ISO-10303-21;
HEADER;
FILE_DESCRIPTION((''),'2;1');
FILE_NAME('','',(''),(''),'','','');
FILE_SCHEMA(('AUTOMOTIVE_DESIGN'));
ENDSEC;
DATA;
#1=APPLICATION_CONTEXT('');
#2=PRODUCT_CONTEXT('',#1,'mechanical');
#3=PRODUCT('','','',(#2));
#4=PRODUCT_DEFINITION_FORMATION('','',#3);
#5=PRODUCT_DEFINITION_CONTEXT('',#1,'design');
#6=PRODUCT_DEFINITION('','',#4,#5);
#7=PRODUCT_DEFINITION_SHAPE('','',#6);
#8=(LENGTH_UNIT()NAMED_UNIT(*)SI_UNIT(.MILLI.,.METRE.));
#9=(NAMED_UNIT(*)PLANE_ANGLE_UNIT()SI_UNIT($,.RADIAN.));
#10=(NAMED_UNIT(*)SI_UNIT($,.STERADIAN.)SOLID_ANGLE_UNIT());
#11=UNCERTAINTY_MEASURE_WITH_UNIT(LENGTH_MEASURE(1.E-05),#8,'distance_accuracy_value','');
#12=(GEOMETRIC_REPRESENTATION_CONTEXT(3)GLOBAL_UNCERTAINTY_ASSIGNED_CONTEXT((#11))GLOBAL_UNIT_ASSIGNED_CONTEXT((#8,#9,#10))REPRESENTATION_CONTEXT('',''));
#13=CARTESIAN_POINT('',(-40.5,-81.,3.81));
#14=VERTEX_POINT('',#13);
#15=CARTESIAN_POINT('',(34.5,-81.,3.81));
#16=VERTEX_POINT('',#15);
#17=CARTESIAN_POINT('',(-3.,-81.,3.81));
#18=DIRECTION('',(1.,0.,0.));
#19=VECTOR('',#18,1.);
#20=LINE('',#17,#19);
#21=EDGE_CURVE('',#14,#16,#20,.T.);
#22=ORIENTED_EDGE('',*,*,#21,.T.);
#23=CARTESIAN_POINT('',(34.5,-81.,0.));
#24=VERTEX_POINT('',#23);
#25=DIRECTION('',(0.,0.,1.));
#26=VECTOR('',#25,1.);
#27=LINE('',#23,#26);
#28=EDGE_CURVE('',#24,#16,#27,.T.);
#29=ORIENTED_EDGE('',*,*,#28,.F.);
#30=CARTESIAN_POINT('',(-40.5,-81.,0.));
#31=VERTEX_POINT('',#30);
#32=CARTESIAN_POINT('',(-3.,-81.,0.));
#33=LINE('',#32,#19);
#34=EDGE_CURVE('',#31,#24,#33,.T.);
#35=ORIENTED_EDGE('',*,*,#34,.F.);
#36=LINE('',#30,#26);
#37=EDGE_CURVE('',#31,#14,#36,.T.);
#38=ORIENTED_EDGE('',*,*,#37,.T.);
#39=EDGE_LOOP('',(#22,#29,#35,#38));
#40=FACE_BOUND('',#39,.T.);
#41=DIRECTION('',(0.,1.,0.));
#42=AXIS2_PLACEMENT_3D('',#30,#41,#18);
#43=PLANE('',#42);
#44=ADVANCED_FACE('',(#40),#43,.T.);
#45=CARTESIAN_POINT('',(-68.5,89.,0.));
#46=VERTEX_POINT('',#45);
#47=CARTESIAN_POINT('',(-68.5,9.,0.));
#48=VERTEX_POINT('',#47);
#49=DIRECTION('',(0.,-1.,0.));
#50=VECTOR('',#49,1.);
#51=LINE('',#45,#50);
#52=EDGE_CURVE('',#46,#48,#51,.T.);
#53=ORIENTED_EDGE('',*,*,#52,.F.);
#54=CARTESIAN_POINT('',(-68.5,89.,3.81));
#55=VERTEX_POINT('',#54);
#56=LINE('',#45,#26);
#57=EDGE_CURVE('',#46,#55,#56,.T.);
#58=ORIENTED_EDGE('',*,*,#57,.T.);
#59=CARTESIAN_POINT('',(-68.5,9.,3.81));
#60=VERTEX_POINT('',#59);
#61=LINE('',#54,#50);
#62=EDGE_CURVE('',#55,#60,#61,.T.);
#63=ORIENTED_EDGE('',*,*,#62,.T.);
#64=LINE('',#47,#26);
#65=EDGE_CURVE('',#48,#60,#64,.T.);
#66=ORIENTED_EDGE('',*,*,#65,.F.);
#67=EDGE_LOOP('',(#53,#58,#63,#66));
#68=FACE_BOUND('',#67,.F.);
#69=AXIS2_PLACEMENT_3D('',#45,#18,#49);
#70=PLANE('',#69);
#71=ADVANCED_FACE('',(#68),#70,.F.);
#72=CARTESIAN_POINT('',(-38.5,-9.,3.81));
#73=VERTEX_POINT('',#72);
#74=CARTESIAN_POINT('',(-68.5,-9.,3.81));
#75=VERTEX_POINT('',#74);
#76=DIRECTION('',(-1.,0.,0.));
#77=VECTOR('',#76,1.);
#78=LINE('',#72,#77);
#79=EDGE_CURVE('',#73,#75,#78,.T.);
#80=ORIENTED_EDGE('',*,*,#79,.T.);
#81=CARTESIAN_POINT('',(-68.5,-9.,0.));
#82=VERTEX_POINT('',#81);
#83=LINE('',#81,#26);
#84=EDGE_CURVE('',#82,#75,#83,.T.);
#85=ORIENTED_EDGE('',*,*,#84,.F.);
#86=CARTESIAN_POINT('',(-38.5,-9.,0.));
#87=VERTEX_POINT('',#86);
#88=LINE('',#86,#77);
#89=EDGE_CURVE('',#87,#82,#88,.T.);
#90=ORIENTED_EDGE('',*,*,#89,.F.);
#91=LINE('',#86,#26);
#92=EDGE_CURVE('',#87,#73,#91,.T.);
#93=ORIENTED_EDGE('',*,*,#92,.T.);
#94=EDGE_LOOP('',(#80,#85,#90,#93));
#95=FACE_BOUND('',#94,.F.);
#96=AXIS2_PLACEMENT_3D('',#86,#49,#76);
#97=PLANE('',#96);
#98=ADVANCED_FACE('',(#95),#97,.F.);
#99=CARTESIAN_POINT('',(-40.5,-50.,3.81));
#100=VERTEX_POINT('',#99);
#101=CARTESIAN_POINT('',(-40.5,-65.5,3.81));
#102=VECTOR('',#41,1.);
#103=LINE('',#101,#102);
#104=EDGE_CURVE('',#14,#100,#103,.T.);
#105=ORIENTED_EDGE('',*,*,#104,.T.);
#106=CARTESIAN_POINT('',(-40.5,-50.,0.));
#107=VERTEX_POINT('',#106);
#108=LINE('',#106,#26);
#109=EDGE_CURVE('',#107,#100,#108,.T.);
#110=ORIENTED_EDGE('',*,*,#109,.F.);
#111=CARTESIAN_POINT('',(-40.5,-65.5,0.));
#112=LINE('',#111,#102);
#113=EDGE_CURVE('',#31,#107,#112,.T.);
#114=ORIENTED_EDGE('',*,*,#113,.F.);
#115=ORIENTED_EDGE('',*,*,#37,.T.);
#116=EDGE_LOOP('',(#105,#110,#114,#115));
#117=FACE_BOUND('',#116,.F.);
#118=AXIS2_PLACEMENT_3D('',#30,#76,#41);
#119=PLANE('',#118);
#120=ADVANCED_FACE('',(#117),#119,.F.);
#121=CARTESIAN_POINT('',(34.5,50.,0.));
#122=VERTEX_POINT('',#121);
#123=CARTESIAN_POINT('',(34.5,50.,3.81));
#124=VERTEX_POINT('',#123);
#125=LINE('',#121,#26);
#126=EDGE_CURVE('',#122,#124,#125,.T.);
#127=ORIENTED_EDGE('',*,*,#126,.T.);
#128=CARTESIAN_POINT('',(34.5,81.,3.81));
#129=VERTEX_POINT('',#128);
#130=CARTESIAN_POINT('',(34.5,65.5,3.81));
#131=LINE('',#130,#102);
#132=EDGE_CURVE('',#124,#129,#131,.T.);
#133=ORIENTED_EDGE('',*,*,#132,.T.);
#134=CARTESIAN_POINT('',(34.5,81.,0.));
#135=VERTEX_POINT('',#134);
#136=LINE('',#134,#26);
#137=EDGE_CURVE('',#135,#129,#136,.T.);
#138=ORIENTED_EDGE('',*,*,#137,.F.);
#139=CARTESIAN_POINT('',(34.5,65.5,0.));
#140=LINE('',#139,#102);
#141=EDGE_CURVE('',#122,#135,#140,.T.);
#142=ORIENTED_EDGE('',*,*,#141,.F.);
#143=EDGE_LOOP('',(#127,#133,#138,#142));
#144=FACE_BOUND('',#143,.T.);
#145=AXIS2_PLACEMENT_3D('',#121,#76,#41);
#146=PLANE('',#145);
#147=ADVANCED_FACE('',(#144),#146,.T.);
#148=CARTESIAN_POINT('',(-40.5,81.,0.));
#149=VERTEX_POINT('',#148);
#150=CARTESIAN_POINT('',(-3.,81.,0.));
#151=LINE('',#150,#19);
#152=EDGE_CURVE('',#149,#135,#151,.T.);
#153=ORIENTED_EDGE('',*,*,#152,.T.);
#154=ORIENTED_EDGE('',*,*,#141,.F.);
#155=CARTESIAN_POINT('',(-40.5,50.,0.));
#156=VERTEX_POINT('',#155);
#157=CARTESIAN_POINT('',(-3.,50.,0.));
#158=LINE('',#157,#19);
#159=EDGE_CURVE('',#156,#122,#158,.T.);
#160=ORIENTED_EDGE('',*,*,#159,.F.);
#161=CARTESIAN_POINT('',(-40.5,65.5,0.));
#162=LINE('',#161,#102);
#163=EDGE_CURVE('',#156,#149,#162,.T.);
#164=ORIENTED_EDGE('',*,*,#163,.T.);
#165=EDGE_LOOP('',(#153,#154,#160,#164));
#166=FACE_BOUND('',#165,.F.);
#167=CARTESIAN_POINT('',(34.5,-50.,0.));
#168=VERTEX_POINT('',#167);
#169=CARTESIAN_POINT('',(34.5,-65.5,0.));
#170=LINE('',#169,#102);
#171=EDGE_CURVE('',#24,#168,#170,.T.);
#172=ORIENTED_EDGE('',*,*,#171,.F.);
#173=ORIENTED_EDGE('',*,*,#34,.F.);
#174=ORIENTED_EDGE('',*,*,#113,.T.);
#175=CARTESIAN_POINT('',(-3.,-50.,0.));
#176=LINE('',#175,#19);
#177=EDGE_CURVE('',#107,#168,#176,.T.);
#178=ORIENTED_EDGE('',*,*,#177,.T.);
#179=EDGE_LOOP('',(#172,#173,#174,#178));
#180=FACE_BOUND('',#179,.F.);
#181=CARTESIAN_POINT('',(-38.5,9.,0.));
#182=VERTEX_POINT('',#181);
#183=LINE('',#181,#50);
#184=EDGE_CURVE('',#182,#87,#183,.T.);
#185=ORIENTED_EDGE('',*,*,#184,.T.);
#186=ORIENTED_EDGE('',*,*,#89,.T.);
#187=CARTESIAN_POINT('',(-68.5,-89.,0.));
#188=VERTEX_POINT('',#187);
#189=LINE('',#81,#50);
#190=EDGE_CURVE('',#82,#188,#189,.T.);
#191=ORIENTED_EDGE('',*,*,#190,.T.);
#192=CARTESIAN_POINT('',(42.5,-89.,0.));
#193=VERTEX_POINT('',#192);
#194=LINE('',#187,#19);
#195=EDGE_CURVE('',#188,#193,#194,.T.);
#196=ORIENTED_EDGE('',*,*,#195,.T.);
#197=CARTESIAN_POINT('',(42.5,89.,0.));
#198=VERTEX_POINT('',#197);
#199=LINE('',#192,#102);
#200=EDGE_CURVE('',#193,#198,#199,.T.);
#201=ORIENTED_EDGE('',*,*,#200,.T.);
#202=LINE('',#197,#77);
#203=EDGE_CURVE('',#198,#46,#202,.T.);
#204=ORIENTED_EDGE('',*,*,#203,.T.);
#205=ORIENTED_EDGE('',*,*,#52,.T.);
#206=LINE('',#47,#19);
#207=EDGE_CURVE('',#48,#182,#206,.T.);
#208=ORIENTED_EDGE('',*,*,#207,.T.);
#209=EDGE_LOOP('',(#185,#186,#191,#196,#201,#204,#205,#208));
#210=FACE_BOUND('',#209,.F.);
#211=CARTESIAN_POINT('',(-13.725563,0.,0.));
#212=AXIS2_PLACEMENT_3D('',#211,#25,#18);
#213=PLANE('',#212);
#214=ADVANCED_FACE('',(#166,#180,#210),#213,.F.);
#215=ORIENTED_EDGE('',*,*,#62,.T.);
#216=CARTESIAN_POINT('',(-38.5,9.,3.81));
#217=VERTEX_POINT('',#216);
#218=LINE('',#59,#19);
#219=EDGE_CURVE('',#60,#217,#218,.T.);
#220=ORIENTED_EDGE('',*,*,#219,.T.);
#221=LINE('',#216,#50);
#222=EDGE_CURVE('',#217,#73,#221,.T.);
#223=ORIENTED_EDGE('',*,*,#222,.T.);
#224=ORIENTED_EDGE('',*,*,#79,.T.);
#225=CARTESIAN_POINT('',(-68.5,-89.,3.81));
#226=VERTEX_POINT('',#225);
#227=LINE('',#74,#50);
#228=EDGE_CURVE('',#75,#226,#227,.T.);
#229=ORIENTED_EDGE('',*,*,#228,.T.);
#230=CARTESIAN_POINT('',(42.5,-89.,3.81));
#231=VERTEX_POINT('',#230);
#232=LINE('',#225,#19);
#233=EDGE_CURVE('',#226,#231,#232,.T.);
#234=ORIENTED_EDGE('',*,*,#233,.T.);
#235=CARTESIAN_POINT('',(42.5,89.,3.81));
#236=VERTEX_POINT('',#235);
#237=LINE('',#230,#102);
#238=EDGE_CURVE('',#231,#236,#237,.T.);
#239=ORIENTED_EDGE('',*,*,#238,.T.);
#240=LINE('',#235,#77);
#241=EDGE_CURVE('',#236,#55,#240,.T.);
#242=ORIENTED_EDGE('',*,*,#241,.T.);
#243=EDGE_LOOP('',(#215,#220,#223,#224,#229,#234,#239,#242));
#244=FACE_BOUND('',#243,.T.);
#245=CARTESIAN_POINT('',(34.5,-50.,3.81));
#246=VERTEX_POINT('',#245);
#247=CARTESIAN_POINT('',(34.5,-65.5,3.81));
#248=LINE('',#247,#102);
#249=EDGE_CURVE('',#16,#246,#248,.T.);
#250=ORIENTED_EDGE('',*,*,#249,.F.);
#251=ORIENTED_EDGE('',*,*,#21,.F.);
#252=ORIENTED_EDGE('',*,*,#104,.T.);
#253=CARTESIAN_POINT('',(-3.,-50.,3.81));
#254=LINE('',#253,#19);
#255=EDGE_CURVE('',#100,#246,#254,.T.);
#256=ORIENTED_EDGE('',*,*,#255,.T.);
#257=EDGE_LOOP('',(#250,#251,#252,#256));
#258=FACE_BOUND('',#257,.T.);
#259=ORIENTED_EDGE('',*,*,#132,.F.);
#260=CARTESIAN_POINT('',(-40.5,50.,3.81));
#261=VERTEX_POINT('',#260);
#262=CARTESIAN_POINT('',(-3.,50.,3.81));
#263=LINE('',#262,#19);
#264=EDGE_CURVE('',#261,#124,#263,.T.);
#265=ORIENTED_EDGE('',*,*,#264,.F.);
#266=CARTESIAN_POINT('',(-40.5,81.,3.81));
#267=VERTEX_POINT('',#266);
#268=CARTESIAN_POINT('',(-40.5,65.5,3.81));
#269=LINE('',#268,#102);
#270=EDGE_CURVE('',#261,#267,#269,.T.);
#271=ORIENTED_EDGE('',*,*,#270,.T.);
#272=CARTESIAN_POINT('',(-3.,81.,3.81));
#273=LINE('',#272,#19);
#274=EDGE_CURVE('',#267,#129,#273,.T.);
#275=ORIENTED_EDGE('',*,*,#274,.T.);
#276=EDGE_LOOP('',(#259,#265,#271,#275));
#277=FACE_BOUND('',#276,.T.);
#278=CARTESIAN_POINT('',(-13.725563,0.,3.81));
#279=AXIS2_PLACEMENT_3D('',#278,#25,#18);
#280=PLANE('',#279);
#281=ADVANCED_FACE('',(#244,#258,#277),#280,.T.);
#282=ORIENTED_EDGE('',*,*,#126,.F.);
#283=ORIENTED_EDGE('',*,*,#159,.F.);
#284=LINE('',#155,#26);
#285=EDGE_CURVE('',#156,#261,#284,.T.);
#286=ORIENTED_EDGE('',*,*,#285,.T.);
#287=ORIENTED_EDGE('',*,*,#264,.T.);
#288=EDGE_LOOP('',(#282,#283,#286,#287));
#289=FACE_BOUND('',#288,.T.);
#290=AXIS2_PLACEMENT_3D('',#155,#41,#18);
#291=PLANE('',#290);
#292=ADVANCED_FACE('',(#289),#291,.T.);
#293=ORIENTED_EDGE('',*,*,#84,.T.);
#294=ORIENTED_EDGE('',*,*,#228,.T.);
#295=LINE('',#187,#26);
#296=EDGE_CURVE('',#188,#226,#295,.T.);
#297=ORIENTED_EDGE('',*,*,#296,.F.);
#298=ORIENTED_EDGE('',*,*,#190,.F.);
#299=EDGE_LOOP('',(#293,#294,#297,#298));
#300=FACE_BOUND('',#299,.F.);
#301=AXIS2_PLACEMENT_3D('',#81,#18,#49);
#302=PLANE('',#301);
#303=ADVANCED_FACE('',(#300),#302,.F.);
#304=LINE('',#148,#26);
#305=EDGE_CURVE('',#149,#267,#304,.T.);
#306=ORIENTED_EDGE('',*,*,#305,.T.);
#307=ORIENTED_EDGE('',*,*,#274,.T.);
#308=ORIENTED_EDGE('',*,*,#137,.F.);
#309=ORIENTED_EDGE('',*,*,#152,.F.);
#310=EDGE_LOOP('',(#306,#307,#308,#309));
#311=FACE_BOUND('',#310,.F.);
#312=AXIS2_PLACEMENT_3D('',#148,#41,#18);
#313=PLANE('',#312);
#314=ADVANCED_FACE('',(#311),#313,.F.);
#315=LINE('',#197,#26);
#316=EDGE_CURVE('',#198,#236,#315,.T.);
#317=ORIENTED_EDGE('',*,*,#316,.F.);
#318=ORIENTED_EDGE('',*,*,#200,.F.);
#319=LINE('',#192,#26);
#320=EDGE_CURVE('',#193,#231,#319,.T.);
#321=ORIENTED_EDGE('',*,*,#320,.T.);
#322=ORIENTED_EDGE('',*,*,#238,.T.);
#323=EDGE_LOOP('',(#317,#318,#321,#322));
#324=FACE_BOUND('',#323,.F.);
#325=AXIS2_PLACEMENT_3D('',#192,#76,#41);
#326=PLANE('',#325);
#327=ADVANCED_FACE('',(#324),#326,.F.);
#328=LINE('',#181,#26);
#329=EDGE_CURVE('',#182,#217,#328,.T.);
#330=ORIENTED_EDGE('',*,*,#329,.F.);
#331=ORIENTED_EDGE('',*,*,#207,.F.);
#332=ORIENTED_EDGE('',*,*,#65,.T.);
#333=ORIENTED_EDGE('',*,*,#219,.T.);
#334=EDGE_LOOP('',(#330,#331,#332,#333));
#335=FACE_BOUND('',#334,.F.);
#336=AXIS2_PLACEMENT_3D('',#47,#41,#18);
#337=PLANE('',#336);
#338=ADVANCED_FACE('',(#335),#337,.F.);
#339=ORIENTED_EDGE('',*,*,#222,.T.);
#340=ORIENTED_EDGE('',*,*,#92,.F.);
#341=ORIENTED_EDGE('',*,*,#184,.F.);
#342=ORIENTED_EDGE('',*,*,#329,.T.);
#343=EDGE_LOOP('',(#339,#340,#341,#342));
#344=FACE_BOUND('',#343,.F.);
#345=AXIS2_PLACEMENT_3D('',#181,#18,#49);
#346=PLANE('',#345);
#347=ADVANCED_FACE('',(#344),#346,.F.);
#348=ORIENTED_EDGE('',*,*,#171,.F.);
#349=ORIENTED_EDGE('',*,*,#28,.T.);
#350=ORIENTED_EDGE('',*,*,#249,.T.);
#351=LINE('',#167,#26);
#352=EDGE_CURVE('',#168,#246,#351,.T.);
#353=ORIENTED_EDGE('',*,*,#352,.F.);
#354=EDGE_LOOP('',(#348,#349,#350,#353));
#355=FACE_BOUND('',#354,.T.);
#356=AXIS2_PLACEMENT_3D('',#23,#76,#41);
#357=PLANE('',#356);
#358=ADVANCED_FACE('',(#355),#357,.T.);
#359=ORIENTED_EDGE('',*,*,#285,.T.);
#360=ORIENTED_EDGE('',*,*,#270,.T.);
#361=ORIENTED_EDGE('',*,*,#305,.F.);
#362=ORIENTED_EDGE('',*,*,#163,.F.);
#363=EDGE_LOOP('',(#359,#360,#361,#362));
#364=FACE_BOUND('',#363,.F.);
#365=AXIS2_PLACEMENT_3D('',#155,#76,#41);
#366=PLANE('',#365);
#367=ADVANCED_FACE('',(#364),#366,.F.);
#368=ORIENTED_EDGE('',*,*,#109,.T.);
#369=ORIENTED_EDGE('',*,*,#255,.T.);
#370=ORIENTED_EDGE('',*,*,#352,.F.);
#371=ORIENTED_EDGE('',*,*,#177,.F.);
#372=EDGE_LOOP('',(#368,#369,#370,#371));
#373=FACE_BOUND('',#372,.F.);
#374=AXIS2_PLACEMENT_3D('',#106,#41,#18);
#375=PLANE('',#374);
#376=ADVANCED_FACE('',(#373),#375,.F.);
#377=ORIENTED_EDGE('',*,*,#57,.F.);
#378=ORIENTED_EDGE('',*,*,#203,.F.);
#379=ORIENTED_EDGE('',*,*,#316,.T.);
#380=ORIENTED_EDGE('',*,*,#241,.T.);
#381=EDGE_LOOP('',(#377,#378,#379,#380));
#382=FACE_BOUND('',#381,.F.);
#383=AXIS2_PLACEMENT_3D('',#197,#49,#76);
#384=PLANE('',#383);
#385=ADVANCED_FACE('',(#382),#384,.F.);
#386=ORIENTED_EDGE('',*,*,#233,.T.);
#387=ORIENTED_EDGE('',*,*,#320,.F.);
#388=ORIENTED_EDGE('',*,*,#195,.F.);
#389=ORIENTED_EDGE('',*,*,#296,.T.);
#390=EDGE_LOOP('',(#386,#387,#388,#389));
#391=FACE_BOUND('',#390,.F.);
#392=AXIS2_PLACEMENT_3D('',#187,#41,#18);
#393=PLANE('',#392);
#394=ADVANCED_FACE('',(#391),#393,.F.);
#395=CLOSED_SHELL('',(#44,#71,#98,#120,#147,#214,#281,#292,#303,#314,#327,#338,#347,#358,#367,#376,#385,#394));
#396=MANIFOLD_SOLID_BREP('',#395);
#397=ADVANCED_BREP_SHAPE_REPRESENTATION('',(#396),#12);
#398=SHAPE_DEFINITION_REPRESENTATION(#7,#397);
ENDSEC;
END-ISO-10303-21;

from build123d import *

# Parameters (mm, degrees)
F0_W     = 75
F0_H     = 31
F0_W_2   = 3.81
F0_H_2   = 15
F1_DEPTH = 3.81


with BuildPart() as f1:
    # F0 (on Top) → F1 (new body)
    with BuildSketch(Plane.XY):
        Polygon((42.5, 79), (42.5, 89), (-68.5, 89), (-68.5, 85.19), (-68.5, 9), (-38.5, 9), (-38.5, 0), (-38.5, -9), (-68.5, -9), (-68.5, -85.19), (-68.5, -89), (42.5, -89), (42.5, -79), (38.69, -79), (38.69, -64), (42.5, -64), (42.5, -54), (38.69, -54), (38.69, -39), (42.5, -39), (42.5, 39), (38.69, 39), (38.69, 54), (42.5, 54), (42.5, 64), (38.69, 64), (38.69, 79), align=None)
        with Locations((-3, -65.5)):
            Rectangle(F0_W, F0_H, mode=Mode.SUBTRACT)
        with Locations((-3, 65.5)):
            Rectangle(F0_W, F0_H, mode=Mode.SUBTRACT)
        with Locations((40.595, 71.5)):
            Rectangle(F0_W_2, F0_H_2)
        with Locations((40.595, 46.5)):
            Rectangle(F0_W_2, F0_H_2)
        with Locations((40.595, -46.5)):
            Rectangle(F0_W_2, F0_H_2)
        with Locations((40.595, -71.5)):
            Rectangle(F0_W_2, F0_H_2)
    extrude(amount=F1_DEPTH)


solid = f1.part
